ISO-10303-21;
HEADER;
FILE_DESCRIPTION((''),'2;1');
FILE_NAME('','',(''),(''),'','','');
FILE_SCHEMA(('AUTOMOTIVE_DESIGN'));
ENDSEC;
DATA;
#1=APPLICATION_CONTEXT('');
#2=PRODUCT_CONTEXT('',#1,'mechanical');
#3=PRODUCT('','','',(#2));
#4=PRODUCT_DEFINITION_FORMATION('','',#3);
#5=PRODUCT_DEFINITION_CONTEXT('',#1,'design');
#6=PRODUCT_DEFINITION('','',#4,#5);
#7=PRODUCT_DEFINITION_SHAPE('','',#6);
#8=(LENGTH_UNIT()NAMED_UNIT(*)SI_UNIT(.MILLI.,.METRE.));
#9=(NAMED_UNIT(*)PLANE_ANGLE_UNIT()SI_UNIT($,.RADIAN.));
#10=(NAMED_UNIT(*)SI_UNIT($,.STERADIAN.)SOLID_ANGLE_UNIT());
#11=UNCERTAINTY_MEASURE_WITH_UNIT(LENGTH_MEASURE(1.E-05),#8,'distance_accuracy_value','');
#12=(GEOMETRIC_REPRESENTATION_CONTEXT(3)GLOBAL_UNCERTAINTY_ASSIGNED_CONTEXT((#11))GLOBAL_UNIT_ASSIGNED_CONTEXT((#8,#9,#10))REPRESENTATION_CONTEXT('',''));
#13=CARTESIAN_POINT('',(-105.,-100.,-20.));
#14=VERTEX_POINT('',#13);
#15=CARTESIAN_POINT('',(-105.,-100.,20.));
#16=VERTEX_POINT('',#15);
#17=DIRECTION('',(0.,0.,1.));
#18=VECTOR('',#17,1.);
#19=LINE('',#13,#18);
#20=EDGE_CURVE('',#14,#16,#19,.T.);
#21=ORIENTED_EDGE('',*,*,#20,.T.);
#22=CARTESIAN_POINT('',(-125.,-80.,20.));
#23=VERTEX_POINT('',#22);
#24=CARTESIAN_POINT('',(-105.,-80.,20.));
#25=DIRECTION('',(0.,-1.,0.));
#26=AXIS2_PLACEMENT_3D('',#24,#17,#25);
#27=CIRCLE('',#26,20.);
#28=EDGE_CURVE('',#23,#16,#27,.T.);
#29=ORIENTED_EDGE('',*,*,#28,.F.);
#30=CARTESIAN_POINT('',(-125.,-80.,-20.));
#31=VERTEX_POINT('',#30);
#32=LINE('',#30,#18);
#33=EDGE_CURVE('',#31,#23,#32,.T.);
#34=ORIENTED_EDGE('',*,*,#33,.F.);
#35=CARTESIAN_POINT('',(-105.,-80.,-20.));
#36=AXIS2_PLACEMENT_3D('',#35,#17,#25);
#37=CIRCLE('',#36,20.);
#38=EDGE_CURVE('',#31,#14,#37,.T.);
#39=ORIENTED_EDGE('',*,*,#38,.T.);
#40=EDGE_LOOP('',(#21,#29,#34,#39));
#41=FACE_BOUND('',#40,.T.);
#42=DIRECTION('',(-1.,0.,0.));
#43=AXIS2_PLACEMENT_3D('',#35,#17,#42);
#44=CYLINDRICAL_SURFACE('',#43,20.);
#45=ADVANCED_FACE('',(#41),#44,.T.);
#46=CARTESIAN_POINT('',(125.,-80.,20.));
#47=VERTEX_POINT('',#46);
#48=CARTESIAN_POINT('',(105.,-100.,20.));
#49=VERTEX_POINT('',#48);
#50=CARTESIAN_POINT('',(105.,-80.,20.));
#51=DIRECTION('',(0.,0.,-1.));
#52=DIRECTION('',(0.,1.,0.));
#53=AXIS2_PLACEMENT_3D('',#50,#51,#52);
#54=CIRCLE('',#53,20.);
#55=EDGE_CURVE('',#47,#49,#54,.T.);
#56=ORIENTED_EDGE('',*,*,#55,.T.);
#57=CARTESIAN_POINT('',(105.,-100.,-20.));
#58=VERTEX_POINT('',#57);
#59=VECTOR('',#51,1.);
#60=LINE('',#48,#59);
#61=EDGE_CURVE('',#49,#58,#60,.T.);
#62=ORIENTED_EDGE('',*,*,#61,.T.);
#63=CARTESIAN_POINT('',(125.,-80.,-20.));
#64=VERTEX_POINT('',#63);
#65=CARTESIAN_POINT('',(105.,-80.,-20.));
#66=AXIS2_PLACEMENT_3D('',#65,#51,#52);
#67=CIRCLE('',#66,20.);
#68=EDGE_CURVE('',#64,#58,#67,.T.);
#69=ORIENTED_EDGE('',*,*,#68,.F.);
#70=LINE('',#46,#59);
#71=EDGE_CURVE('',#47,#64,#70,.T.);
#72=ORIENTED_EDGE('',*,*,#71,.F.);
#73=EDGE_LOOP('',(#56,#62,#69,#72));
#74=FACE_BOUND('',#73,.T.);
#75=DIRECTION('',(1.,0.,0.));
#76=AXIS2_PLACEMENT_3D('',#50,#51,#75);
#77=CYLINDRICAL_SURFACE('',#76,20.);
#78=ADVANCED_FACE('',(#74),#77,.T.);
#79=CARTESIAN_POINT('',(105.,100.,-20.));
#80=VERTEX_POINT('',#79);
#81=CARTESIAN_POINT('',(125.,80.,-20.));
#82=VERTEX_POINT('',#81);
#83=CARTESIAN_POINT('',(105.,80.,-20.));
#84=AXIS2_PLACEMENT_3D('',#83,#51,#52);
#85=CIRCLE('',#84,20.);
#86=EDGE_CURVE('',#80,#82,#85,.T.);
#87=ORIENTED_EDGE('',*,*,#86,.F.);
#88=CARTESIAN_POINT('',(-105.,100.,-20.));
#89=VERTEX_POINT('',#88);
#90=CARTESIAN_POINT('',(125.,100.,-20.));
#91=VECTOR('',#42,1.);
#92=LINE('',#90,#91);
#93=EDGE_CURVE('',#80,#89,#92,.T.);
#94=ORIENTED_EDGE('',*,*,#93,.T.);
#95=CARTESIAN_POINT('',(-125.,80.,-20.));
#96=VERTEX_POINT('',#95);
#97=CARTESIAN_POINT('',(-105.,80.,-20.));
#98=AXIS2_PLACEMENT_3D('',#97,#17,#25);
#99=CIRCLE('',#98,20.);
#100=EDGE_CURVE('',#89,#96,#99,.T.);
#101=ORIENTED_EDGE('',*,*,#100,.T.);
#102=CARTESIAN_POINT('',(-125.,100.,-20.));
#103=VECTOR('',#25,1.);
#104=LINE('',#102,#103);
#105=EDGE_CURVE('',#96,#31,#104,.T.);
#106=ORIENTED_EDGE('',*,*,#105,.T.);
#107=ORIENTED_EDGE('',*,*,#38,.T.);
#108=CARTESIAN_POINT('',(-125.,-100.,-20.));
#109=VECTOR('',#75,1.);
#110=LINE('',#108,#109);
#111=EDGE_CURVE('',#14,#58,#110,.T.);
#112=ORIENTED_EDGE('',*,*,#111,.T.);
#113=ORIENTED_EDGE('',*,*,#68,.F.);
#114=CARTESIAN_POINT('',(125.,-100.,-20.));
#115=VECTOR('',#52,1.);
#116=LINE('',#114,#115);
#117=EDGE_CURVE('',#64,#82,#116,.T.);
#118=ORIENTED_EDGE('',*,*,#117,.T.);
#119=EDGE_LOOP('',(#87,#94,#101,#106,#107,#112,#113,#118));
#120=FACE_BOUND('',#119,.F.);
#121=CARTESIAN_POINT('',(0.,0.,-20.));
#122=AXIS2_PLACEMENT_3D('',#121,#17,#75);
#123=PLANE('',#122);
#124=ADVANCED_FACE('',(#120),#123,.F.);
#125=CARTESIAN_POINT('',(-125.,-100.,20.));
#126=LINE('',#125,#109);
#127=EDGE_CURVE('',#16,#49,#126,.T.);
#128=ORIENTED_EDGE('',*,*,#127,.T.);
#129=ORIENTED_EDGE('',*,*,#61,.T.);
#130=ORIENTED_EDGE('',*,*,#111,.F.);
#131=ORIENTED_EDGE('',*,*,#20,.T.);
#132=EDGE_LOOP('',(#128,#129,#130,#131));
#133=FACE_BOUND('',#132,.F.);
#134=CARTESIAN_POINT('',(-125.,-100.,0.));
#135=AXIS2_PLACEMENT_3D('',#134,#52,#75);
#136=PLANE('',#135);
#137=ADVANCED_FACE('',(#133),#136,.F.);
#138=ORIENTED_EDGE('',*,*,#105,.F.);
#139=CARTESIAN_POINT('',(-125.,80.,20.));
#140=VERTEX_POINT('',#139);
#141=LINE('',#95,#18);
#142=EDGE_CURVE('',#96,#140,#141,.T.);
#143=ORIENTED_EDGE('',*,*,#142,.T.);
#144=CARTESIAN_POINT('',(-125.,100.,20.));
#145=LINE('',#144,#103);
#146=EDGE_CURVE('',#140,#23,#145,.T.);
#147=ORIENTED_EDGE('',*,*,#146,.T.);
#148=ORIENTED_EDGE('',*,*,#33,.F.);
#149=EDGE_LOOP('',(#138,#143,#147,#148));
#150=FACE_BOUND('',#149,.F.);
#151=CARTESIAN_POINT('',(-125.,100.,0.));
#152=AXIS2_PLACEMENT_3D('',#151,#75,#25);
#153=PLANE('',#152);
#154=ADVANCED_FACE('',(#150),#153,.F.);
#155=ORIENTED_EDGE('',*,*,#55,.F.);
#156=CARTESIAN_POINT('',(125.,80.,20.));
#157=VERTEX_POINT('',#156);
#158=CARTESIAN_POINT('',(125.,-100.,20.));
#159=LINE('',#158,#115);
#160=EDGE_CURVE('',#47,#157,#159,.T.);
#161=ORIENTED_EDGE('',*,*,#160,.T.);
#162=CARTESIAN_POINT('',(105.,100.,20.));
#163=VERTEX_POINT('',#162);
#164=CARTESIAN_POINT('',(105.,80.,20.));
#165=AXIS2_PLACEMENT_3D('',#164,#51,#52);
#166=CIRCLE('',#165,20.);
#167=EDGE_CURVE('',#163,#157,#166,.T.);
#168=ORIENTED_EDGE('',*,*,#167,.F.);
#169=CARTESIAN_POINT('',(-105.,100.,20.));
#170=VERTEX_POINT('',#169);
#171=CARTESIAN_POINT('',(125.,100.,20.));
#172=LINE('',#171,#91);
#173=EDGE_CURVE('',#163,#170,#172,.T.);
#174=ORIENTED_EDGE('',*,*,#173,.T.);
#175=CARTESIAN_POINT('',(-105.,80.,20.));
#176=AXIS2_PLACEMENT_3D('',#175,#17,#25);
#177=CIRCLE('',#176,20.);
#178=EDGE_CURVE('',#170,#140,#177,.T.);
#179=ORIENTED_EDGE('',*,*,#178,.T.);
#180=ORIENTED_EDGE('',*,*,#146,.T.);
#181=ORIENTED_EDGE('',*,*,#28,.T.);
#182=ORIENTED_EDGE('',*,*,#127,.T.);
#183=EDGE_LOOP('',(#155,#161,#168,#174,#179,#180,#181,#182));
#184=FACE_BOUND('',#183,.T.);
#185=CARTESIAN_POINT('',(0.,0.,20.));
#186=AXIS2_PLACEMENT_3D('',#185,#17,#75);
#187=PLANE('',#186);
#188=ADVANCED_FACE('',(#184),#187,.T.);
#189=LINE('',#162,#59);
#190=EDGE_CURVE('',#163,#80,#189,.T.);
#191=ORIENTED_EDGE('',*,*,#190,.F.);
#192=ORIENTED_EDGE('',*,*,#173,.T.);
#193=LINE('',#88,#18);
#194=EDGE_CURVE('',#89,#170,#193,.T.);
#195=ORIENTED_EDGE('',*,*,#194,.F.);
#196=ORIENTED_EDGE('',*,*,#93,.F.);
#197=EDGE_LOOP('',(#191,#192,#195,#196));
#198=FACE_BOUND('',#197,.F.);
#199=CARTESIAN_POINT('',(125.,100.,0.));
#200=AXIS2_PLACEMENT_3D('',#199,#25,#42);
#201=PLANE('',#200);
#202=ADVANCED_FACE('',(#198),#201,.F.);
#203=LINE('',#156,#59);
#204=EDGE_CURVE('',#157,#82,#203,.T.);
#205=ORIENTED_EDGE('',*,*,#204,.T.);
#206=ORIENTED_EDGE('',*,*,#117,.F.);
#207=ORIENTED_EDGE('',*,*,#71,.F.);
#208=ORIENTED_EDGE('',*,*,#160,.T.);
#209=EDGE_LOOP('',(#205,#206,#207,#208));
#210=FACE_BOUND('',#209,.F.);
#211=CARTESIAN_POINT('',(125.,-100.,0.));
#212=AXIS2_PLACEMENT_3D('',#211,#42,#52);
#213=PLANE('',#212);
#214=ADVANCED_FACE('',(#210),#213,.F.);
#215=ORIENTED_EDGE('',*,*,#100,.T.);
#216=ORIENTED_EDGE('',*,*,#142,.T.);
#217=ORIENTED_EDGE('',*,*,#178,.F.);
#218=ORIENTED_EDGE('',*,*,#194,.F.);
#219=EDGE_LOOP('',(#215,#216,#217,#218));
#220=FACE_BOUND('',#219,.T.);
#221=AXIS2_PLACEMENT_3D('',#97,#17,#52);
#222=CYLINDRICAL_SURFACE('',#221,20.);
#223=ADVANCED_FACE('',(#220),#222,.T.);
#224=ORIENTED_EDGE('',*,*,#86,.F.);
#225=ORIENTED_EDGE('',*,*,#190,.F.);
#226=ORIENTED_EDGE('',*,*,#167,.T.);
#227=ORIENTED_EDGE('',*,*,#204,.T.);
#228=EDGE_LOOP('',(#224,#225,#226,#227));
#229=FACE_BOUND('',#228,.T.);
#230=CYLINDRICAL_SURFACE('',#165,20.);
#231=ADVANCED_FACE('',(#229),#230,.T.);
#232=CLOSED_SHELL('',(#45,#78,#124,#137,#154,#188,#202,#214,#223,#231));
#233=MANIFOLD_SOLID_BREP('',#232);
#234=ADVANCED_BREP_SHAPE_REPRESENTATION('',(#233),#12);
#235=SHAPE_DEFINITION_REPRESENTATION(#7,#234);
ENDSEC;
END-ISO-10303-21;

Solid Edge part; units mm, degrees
sketch "Sketch1" plane through (0, 0, 0) normal (0, 0, 1) x (1, 0, 0)
  line L0 (125, 100) -> (-125, 100)
  line L1 (-125, 100) -> (-125, -100)
  line L2 (-125, -100) -> (125, -100)
  line L3 (125, -100) -> (125, 100)
extrude "Protrusion1" add sketch "Sketch1" along normal mid plane 40
fillet "Round_1" radius 20 3 edges at (125, -100, 0) (-125, -100, 0) (-125, 100, 0)
fillet "Round_2" radius 20 1 edges at (125, 100, 0)
properties material "Wood, Mahogany"
